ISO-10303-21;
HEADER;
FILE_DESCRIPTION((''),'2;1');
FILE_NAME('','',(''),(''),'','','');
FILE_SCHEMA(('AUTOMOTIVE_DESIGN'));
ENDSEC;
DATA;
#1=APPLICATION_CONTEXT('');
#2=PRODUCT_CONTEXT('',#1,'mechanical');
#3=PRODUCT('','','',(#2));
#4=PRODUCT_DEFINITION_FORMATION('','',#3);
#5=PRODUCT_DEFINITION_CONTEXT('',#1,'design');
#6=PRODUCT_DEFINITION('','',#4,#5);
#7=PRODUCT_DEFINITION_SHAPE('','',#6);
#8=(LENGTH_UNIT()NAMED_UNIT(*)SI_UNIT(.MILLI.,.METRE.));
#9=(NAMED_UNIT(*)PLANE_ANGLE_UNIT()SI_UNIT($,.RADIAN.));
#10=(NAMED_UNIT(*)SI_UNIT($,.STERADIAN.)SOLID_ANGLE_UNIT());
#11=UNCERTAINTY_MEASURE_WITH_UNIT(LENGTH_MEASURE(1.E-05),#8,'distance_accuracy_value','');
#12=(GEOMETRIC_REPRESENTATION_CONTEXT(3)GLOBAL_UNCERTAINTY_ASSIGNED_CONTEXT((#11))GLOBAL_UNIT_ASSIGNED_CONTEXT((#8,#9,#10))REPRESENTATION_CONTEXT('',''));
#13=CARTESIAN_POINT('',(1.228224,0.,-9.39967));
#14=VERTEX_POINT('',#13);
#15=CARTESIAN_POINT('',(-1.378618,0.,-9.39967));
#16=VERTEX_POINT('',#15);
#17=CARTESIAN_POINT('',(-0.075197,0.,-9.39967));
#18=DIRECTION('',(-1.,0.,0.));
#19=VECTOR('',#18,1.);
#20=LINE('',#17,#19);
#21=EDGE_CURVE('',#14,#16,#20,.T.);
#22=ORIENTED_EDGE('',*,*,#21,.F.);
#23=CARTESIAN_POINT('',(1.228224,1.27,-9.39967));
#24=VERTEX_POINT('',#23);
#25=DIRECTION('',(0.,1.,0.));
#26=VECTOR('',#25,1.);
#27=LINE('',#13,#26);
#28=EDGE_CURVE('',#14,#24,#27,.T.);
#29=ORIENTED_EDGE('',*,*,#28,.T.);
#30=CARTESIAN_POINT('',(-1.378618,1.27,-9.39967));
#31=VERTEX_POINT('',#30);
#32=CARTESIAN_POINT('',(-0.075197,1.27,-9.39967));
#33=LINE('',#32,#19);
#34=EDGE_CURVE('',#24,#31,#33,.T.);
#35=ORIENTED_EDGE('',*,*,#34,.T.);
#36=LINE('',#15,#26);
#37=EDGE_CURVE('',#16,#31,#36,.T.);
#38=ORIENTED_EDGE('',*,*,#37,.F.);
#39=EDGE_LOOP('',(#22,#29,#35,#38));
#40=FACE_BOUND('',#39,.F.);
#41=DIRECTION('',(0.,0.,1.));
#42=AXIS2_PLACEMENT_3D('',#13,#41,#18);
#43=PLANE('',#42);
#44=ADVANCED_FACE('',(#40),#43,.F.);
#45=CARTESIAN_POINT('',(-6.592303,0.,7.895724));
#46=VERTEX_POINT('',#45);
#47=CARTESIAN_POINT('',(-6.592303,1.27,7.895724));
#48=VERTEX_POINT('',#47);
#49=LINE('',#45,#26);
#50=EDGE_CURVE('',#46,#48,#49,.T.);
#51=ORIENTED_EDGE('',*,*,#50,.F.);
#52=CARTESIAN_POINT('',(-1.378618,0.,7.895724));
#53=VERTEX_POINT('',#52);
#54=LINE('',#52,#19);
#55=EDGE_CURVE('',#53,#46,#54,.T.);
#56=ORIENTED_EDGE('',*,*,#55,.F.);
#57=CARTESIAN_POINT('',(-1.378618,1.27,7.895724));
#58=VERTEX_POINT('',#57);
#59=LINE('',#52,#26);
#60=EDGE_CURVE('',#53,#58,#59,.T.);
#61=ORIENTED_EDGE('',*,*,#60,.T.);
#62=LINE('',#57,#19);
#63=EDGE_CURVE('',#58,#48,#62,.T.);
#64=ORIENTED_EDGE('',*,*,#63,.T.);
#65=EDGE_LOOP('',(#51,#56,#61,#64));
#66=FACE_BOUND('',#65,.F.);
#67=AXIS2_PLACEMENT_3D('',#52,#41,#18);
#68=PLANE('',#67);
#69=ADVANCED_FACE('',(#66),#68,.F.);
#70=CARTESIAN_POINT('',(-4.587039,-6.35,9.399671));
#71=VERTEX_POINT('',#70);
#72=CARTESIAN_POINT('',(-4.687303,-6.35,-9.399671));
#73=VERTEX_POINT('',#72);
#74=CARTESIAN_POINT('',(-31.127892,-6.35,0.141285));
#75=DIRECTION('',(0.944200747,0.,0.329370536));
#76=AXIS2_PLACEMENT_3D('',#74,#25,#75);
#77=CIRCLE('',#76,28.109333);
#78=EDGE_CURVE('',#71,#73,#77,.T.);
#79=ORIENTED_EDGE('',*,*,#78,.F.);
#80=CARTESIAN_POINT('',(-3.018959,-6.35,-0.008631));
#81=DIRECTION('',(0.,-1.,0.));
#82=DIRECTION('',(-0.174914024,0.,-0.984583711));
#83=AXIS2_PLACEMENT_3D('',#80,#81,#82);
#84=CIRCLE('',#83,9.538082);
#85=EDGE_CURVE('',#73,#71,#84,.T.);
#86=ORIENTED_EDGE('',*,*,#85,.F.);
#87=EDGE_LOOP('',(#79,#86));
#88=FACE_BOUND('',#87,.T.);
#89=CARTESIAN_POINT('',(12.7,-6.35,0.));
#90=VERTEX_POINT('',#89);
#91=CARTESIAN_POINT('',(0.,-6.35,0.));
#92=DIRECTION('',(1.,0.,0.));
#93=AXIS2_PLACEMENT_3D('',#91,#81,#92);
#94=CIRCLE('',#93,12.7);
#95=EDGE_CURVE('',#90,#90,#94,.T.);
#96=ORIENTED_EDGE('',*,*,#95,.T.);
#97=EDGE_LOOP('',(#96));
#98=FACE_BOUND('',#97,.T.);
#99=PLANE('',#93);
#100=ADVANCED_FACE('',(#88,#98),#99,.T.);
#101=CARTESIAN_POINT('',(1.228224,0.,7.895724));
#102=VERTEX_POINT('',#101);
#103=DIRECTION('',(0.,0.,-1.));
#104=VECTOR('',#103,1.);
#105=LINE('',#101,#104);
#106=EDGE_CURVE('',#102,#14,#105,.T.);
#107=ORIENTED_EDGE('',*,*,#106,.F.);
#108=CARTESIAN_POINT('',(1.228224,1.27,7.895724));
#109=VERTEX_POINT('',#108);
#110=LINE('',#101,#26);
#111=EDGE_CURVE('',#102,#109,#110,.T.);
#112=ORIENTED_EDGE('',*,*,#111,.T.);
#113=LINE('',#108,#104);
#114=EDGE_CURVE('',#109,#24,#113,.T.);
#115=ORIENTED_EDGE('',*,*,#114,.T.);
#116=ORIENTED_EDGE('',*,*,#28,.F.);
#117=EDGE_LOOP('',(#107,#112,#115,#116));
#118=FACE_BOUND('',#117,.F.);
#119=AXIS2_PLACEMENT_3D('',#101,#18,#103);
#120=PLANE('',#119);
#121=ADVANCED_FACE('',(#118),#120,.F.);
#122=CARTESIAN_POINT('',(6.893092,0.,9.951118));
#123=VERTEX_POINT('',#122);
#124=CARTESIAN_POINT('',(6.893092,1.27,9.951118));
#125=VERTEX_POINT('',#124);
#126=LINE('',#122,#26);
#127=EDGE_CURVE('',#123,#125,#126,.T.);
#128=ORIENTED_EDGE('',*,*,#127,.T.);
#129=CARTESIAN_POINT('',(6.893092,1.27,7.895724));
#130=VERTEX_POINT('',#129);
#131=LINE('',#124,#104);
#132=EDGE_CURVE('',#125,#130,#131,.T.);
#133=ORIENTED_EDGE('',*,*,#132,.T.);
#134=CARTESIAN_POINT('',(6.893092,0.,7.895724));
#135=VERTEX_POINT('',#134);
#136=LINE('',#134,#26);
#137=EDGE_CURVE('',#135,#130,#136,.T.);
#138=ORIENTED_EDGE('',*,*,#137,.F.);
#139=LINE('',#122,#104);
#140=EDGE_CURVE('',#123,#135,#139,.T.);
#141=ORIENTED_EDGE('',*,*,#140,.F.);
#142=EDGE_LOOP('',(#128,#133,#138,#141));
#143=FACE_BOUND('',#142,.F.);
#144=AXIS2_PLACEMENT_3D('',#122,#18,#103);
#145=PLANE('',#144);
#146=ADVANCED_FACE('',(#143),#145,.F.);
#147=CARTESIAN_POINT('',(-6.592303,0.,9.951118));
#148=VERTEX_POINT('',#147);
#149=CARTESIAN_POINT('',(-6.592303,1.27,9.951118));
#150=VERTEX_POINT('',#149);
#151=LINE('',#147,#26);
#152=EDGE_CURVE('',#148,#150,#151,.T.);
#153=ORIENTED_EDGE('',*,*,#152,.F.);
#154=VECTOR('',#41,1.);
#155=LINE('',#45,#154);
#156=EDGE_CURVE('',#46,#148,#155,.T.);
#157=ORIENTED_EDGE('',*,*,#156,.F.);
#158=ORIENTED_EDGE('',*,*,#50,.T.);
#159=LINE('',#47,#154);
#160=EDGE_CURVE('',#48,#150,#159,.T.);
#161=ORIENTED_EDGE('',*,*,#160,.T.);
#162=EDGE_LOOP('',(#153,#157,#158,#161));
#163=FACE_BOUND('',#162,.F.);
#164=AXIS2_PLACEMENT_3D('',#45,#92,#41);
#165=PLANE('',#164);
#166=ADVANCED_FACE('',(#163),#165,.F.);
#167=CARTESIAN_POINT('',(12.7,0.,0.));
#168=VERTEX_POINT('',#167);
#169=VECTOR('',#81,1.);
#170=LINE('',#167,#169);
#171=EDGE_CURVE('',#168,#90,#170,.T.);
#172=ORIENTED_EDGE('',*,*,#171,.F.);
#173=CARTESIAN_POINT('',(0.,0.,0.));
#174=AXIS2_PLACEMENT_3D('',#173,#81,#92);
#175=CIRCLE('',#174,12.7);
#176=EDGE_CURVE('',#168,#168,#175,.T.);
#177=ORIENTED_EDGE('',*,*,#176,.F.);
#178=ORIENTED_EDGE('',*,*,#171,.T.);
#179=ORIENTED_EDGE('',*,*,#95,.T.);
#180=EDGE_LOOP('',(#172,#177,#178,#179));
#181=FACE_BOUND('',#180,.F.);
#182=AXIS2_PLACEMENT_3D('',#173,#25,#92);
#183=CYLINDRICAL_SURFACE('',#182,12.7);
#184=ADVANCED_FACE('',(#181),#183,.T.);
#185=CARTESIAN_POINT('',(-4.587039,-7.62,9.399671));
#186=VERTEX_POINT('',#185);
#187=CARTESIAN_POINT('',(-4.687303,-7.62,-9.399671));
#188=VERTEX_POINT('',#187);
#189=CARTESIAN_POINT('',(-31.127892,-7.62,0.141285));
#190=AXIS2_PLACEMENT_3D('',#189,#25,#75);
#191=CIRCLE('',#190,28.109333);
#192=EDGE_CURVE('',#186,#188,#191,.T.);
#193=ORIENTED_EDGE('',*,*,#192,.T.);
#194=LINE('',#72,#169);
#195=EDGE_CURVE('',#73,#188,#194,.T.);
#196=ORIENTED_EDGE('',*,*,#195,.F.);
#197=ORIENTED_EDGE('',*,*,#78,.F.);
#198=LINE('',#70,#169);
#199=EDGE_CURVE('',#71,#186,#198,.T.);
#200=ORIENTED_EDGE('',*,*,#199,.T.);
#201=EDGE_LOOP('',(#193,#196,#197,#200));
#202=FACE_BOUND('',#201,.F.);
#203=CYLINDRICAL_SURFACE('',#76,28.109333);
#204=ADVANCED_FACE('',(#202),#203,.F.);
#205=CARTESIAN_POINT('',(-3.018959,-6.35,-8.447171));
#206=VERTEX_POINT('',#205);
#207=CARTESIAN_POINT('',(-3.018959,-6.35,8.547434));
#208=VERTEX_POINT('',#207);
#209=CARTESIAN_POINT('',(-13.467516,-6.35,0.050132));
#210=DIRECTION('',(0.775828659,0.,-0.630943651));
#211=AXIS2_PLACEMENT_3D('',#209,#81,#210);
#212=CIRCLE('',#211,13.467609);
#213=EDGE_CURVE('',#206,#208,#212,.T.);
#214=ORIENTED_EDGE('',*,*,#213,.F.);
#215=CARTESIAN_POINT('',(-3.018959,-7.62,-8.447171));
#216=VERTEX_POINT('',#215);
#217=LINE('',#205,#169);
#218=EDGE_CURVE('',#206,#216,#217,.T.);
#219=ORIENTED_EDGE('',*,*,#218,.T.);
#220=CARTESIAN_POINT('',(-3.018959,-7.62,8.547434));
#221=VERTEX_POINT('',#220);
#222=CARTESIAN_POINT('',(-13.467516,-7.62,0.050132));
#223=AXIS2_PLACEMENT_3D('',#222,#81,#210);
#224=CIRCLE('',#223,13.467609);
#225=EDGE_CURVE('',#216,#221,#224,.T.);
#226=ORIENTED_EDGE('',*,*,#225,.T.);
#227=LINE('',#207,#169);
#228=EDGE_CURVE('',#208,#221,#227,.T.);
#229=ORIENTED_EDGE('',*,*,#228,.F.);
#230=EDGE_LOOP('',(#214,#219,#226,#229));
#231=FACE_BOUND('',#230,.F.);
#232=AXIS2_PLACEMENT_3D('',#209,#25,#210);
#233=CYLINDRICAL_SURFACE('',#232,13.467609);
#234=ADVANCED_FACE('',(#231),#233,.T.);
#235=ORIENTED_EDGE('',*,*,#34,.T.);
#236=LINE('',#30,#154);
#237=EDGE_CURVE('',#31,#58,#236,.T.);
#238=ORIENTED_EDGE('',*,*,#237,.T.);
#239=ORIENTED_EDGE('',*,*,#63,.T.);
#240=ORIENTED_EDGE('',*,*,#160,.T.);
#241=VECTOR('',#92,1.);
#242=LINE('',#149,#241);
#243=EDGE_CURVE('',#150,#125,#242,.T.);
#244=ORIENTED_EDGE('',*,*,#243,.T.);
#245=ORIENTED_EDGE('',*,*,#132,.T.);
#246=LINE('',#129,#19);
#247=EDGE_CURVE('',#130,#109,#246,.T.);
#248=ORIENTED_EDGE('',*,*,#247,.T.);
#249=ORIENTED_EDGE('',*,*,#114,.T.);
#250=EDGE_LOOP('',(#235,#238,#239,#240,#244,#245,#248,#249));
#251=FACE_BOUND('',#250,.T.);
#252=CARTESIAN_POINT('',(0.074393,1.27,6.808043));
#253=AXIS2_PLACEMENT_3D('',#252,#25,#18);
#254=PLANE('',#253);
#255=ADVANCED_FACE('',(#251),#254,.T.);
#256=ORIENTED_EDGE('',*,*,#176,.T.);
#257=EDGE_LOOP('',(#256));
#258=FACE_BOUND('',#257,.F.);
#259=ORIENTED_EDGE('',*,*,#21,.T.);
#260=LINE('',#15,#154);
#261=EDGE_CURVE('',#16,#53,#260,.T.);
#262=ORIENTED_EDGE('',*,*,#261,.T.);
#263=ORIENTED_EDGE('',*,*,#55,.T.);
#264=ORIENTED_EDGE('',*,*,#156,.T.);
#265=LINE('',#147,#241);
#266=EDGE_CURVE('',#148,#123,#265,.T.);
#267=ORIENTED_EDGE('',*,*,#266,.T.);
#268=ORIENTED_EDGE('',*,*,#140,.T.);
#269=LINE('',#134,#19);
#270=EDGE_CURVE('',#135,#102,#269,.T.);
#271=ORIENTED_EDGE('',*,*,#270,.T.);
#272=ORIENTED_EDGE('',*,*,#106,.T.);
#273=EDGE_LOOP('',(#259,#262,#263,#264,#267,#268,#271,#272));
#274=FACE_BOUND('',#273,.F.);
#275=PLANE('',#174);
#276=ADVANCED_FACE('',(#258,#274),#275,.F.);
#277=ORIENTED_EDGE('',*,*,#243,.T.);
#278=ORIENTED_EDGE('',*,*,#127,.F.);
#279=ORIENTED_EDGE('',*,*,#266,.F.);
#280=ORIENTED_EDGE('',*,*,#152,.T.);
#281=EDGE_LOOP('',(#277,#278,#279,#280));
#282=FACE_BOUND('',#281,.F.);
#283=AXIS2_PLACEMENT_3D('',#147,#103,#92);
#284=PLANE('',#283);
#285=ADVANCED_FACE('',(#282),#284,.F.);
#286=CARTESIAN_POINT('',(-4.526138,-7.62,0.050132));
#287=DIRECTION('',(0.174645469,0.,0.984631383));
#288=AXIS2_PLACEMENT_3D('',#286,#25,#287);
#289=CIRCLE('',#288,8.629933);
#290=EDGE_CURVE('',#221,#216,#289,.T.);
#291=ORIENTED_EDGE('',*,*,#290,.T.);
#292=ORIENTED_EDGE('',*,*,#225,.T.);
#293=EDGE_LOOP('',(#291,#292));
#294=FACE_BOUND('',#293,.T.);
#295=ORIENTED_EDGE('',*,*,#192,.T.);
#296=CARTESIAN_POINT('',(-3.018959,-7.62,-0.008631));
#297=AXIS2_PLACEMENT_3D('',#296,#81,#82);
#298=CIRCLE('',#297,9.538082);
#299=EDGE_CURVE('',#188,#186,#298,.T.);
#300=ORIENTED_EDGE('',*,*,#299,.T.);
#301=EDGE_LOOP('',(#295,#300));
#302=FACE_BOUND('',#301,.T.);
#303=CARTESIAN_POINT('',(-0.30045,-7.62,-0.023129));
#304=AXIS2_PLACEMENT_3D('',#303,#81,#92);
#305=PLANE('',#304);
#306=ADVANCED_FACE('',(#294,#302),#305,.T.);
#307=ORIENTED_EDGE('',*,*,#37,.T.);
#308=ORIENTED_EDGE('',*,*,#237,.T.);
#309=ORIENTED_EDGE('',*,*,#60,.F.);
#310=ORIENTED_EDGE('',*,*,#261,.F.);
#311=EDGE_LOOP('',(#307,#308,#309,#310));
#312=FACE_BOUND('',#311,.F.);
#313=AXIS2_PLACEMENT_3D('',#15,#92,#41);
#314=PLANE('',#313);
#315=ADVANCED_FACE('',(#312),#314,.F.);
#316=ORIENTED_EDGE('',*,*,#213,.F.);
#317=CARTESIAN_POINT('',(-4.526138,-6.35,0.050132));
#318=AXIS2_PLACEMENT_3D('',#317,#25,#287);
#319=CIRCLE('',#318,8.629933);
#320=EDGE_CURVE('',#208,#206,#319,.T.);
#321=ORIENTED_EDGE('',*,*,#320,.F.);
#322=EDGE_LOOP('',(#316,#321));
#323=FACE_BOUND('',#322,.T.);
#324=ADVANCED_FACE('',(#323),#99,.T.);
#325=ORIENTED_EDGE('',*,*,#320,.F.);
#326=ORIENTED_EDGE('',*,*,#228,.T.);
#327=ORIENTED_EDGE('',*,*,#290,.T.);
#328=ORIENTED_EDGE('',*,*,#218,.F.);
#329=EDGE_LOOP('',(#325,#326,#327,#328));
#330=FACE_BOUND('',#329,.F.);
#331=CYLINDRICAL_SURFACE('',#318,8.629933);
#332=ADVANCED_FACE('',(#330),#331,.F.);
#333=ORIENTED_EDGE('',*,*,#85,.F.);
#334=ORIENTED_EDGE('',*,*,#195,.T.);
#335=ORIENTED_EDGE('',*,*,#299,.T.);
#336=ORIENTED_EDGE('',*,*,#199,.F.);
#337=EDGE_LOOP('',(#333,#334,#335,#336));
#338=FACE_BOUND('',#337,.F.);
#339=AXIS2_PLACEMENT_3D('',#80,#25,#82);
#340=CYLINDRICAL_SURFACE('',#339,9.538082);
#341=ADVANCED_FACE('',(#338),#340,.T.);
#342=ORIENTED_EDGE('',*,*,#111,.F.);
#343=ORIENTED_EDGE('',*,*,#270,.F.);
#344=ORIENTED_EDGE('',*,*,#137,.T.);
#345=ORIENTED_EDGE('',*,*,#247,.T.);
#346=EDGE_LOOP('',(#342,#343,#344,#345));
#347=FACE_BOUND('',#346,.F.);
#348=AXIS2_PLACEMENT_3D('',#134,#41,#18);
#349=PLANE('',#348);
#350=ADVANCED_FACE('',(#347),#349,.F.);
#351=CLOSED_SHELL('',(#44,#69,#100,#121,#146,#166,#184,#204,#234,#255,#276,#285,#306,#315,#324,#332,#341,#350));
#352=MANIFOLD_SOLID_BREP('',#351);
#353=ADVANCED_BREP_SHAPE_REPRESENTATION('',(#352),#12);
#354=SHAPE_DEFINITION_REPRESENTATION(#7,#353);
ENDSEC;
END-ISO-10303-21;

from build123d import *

# Parameters (mm, degrees)
F0_R      = 12.7
F1_DEPTH  = 25.4
F1_FACE_R = 12.7
F2_DEPTH  = 19.05
F4_DEPTH  = 1.27
F5_W      = 2.606842
F5_H      = 9.399671
F6_DEPTH  = 1.27


with BuildPart() as f1:
    # F0 (on Front) → F1 (new body)
    with BuildSketch(Plane.XZ):
        Circle(F0_R)
    extrude(amount=F1_DEPTH)

    # F1_face (on face) → F2 (cut)
    with BuildSketch(Plane.XZ.offset(25.4)):
        Circle(F1_FACE_R)
    extrude(amount=-F2_DEPTH, mode=Mode.SUBTRACT)

    # F3 (on face) → F4 (join)
    with BuildSketch(Plane.XZ.offset(6.35)):
        with BuildLine():
            ThreePointArc((-4.587039, 9.399671), (-3.018959, -0.00863), (-4.687303, -9.399671))
            ThreePointArc((-4.687303, -9.399671), (6.518988, -0.0595), (-4.587039, 9.399671))
        make_face()
        with BuildLine():
            ThreePointArc((-3.018959, 8.547434), (4.103795, 0.050131), (-3.018959, -8.447171))
            ThreePointArc((-3.018959, -8.447171), (9.3e-05, 0.050131), (-3.018959, 8.547434))
        make_face(mode=Mode.SUBTRACT)
    extrude(amount=F4_DEPTH)

    # F5 (on face) → F6 (join)
    with BuildSketch(Plane(origin=(0, 0, 0), x_dir=(-1, 0, 0), z_dir=(0, 1, 0))):
        Polygon((-1.228224, 7.895724), (-1.228224, 0), (1.378618, 0), (1.378618, 7.895724), (6.592303, 7.895724), (6.592303, 9.951118), (-6.893092, 9.951118), (-6.893092, 7.895724), align=None)
        with Locations((0.075197, -4.699835)):
            Rectangle(F5_W, F5_H)
    extrude(amount=F6_DEPTH)


solid = f1.part
